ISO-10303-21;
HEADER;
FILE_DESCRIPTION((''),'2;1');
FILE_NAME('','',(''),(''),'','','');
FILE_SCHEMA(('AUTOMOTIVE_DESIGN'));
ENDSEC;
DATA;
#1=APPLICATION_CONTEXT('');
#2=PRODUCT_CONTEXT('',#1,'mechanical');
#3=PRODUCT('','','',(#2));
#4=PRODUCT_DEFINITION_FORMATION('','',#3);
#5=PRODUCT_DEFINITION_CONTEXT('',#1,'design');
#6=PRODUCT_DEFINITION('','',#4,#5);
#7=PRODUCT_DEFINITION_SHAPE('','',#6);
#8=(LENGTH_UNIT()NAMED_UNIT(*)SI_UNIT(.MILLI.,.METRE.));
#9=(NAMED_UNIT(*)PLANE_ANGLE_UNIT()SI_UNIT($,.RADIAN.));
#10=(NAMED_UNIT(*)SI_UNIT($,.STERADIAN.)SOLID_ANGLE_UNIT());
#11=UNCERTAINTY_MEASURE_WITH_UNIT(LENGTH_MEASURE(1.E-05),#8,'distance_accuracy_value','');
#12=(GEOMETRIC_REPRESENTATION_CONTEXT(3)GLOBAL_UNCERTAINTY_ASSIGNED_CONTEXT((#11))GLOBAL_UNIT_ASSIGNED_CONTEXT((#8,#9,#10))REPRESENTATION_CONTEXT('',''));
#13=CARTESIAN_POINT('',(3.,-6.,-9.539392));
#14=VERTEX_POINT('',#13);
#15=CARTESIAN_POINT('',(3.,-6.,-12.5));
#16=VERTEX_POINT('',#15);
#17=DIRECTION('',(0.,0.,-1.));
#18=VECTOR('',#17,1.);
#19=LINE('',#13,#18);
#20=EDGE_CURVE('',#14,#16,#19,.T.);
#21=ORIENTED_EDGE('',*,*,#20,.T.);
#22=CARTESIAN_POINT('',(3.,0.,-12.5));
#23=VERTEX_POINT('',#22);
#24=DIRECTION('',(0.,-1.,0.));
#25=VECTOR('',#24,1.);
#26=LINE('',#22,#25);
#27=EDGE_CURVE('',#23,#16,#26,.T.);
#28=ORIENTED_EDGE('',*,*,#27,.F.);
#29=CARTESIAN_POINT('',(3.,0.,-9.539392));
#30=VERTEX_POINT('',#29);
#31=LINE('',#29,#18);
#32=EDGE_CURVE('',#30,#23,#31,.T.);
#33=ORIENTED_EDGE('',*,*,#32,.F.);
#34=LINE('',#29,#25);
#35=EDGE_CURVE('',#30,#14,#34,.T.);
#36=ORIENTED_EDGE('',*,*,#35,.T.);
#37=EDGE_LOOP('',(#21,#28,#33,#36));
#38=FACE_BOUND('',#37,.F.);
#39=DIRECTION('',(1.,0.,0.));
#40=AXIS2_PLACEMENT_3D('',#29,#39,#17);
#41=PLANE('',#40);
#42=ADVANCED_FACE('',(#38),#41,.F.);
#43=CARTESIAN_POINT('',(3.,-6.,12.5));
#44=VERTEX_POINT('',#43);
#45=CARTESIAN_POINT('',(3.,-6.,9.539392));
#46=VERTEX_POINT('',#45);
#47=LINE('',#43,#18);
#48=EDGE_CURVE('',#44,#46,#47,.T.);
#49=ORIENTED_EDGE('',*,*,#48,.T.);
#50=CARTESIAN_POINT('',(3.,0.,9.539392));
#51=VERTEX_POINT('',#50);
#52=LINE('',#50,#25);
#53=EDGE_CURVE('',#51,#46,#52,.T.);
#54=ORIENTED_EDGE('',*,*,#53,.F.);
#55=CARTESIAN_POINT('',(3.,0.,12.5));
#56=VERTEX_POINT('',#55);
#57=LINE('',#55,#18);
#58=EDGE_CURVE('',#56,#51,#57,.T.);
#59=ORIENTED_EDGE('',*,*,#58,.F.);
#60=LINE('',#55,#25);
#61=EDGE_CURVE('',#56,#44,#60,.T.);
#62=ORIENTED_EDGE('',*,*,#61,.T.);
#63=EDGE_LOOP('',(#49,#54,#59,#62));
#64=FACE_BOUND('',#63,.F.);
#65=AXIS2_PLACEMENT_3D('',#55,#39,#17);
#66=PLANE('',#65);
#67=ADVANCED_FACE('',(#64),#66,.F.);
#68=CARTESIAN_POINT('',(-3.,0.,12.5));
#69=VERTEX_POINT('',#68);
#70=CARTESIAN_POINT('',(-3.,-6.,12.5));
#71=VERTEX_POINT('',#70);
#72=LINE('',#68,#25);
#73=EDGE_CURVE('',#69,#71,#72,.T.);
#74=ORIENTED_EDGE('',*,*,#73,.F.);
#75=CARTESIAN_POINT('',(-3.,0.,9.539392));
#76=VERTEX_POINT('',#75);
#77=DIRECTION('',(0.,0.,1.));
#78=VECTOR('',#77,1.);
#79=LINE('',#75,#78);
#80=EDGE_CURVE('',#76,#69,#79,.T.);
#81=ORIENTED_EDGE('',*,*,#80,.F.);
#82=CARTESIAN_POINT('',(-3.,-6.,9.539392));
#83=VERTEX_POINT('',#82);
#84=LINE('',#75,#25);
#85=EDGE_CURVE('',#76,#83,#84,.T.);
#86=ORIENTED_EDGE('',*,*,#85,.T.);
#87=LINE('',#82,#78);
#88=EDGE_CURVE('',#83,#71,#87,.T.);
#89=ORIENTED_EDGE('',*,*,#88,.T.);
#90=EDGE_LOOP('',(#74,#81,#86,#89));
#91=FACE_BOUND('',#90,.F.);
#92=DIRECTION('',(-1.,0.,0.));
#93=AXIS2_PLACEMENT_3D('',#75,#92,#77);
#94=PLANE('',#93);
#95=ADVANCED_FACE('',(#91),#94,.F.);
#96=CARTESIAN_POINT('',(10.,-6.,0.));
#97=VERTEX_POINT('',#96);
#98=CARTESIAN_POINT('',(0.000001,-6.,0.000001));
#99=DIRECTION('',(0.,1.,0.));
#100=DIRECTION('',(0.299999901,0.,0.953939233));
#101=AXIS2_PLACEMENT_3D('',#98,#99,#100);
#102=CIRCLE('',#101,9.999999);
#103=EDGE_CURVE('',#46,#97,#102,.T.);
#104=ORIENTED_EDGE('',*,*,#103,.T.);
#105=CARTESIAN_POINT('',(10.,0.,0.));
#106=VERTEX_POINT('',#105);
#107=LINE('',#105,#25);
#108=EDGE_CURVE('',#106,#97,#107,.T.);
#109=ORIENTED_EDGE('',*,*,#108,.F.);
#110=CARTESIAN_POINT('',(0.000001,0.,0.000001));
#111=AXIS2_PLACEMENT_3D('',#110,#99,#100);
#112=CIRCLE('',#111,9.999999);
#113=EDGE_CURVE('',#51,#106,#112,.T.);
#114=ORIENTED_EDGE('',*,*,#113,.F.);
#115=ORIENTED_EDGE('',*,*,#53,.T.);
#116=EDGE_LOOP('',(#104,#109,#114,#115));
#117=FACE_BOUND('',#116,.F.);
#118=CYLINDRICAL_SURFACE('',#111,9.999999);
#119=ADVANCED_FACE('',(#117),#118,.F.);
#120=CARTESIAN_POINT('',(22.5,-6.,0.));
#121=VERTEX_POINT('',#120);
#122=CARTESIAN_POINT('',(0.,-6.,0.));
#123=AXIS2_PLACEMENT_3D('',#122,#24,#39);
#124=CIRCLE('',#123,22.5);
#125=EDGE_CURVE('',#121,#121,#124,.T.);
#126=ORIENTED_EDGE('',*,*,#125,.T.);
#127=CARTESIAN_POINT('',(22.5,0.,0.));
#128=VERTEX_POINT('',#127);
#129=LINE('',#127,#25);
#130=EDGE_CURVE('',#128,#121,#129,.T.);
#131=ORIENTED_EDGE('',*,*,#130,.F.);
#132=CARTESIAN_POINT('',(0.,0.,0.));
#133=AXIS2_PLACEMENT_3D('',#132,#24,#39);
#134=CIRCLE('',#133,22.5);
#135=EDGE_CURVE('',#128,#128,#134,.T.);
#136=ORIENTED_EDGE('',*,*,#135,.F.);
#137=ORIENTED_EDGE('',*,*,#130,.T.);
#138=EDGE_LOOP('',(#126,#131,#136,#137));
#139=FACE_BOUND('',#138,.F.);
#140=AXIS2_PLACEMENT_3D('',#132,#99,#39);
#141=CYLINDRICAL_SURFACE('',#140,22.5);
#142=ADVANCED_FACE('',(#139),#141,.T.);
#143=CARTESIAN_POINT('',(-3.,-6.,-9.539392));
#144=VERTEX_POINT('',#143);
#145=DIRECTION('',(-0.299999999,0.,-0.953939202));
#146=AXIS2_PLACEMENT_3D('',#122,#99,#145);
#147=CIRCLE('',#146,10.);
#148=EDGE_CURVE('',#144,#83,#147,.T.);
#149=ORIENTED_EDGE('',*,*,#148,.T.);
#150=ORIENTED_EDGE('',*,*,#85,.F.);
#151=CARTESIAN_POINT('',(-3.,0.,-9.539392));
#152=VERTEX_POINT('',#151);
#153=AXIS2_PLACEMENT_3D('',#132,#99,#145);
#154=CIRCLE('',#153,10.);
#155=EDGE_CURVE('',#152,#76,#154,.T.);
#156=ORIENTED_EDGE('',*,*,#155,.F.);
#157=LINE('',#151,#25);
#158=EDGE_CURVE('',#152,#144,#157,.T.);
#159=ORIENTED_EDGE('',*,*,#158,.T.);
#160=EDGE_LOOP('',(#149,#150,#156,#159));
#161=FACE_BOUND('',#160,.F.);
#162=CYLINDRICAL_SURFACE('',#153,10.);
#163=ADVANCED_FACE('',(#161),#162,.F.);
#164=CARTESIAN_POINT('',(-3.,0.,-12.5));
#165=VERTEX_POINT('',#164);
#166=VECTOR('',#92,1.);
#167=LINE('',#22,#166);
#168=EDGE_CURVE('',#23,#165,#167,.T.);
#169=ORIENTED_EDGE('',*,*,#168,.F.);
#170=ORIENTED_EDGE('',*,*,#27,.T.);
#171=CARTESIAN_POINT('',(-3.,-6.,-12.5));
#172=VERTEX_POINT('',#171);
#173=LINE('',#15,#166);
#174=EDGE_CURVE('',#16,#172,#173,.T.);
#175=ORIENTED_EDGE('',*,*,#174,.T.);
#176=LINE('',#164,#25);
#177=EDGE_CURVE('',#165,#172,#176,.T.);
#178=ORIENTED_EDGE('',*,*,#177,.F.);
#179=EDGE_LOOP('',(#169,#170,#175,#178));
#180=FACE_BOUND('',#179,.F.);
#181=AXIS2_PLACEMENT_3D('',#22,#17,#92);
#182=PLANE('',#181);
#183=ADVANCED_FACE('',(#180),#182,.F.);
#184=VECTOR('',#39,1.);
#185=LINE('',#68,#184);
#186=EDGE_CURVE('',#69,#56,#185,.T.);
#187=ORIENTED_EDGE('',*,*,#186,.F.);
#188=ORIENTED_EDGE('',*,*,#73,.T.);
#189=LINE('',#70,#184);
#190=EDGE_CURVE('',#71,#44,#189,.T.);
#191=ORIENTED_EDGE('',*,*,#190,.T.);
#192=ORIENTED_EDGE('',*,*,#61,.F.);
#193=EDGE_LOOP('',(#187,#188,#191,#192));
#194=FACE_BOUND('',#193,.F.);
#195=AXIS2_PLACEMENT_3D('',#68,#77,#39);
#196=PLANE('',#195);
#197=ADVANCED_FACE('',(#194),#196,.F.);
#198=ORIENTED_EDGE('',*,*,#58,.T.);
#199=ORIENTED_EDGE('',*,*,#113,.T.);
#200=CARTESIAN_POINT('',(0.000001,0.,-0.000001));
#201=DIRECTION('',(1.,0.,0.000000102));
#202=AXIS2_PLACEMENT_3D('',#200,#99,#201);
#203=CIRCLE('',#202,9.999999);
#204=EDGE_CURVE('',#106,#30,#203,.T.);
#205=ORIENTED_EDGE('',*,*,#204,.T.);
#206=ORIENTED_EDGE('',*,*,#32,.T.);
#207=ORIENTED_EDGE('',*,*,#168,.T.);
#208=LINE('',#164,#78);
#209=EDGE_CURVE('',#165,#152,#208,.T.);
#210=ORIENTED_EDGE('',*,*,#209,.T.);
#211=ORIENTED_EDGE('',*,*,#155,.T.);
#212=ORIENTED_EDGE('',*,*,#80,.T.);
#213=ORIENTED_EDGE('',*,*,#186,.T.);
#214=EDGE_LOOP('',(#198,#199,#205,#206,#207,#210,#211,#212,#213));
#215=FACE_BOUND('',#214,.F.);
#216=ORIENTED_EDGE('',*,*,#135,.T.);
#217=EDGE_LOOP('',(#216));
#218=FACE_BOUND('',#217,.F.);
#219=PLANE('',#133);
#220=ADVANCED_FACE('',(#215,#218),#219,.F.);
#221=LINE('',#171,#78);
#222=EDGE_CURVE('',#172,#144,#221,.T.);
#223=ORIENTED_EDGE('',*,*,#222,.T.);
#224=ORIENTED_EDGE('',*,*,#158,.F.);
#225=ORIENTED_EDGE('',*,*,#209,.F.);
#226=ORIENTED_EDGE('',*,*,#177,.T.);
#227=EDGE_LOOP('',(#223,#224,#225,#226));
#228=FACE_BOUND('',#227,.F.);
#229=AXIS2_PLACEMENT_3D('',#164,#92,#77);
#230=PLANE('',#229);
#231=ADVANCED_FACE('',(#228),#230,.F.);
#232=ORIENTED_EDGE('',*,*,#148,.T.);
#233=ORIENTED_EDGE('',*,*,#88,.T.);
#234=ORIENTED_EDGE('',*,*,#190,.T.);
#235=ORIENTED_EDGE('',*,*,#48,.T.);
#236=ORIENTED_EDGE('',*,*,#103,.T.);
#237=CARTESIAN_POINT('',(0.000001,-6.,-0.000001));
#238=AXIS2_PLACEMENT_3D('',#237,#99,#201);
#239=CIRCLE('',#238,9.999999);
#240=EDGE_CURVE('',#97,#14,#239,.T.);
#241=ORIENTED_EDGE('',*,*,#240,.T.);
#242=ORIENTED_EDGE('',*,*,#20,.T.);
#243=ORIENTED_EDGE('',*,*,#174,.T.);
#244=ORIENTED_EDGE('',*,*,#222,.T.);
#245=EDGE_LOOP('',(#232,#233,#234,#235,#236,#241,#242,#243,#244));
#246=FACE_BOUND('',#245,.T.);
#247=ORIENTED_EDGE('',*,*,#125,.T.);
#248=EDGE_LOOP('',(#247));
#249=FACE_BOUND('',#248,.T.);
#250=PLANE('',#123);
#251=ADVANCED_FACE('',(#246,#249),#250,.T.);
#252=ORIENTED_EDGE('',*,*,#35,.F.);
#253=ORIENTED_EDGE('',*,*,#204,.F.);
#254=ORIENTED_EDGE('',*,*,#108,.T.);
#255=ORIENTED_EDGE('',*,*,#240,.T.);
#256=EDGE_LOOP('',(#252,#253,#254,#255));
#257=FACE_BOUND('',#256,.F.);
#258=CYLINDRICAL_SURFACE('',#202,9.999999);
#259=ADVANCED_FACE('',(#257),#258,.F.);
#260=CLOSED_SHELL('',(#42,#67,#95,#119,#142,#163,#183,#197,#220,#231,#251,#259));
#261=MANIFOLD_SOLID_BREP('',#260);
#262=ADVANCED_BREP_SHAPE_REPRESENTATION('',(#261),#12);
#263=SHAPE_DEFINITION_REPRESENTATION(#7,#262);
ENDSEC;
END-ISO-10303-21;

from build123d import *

# Parameters (mm, degrees)
F0_R     = 22.5
F1_DEPTH = 6


with BuildPart() as f1:
    # F0 (on Front) → F1 (new body)
    with BuildSketch(Plane.XZ):
        Circle(F0_R)
        with BuildLine():
            ThreePointArc((3, 9.539392), (8.062258, 5.91608), (10, 0))
            ThreePointArc((10, 0), (8.062258, -5.91608), (3, -9.539392))
            Line((3, -9.539392), (3, -12.5))
            Line((3, -12.5), (-3, -12.5))
            Line((-3, -12.5), (-3, -9.539392))
            ThreePointArc((-3, -9.539392), (-10, 0), (-3, 9.539392))
            Line((-3, 9.539392), (-3, 12.5))
            Line((-3, 12.5), (3, 12.5))
            Line((3, 12.5), (3, 9.539392))
        make_face(mode=Mode.SUBTRACT)
    extrude(amount=F1_DEPTH)


solid = f1.part
